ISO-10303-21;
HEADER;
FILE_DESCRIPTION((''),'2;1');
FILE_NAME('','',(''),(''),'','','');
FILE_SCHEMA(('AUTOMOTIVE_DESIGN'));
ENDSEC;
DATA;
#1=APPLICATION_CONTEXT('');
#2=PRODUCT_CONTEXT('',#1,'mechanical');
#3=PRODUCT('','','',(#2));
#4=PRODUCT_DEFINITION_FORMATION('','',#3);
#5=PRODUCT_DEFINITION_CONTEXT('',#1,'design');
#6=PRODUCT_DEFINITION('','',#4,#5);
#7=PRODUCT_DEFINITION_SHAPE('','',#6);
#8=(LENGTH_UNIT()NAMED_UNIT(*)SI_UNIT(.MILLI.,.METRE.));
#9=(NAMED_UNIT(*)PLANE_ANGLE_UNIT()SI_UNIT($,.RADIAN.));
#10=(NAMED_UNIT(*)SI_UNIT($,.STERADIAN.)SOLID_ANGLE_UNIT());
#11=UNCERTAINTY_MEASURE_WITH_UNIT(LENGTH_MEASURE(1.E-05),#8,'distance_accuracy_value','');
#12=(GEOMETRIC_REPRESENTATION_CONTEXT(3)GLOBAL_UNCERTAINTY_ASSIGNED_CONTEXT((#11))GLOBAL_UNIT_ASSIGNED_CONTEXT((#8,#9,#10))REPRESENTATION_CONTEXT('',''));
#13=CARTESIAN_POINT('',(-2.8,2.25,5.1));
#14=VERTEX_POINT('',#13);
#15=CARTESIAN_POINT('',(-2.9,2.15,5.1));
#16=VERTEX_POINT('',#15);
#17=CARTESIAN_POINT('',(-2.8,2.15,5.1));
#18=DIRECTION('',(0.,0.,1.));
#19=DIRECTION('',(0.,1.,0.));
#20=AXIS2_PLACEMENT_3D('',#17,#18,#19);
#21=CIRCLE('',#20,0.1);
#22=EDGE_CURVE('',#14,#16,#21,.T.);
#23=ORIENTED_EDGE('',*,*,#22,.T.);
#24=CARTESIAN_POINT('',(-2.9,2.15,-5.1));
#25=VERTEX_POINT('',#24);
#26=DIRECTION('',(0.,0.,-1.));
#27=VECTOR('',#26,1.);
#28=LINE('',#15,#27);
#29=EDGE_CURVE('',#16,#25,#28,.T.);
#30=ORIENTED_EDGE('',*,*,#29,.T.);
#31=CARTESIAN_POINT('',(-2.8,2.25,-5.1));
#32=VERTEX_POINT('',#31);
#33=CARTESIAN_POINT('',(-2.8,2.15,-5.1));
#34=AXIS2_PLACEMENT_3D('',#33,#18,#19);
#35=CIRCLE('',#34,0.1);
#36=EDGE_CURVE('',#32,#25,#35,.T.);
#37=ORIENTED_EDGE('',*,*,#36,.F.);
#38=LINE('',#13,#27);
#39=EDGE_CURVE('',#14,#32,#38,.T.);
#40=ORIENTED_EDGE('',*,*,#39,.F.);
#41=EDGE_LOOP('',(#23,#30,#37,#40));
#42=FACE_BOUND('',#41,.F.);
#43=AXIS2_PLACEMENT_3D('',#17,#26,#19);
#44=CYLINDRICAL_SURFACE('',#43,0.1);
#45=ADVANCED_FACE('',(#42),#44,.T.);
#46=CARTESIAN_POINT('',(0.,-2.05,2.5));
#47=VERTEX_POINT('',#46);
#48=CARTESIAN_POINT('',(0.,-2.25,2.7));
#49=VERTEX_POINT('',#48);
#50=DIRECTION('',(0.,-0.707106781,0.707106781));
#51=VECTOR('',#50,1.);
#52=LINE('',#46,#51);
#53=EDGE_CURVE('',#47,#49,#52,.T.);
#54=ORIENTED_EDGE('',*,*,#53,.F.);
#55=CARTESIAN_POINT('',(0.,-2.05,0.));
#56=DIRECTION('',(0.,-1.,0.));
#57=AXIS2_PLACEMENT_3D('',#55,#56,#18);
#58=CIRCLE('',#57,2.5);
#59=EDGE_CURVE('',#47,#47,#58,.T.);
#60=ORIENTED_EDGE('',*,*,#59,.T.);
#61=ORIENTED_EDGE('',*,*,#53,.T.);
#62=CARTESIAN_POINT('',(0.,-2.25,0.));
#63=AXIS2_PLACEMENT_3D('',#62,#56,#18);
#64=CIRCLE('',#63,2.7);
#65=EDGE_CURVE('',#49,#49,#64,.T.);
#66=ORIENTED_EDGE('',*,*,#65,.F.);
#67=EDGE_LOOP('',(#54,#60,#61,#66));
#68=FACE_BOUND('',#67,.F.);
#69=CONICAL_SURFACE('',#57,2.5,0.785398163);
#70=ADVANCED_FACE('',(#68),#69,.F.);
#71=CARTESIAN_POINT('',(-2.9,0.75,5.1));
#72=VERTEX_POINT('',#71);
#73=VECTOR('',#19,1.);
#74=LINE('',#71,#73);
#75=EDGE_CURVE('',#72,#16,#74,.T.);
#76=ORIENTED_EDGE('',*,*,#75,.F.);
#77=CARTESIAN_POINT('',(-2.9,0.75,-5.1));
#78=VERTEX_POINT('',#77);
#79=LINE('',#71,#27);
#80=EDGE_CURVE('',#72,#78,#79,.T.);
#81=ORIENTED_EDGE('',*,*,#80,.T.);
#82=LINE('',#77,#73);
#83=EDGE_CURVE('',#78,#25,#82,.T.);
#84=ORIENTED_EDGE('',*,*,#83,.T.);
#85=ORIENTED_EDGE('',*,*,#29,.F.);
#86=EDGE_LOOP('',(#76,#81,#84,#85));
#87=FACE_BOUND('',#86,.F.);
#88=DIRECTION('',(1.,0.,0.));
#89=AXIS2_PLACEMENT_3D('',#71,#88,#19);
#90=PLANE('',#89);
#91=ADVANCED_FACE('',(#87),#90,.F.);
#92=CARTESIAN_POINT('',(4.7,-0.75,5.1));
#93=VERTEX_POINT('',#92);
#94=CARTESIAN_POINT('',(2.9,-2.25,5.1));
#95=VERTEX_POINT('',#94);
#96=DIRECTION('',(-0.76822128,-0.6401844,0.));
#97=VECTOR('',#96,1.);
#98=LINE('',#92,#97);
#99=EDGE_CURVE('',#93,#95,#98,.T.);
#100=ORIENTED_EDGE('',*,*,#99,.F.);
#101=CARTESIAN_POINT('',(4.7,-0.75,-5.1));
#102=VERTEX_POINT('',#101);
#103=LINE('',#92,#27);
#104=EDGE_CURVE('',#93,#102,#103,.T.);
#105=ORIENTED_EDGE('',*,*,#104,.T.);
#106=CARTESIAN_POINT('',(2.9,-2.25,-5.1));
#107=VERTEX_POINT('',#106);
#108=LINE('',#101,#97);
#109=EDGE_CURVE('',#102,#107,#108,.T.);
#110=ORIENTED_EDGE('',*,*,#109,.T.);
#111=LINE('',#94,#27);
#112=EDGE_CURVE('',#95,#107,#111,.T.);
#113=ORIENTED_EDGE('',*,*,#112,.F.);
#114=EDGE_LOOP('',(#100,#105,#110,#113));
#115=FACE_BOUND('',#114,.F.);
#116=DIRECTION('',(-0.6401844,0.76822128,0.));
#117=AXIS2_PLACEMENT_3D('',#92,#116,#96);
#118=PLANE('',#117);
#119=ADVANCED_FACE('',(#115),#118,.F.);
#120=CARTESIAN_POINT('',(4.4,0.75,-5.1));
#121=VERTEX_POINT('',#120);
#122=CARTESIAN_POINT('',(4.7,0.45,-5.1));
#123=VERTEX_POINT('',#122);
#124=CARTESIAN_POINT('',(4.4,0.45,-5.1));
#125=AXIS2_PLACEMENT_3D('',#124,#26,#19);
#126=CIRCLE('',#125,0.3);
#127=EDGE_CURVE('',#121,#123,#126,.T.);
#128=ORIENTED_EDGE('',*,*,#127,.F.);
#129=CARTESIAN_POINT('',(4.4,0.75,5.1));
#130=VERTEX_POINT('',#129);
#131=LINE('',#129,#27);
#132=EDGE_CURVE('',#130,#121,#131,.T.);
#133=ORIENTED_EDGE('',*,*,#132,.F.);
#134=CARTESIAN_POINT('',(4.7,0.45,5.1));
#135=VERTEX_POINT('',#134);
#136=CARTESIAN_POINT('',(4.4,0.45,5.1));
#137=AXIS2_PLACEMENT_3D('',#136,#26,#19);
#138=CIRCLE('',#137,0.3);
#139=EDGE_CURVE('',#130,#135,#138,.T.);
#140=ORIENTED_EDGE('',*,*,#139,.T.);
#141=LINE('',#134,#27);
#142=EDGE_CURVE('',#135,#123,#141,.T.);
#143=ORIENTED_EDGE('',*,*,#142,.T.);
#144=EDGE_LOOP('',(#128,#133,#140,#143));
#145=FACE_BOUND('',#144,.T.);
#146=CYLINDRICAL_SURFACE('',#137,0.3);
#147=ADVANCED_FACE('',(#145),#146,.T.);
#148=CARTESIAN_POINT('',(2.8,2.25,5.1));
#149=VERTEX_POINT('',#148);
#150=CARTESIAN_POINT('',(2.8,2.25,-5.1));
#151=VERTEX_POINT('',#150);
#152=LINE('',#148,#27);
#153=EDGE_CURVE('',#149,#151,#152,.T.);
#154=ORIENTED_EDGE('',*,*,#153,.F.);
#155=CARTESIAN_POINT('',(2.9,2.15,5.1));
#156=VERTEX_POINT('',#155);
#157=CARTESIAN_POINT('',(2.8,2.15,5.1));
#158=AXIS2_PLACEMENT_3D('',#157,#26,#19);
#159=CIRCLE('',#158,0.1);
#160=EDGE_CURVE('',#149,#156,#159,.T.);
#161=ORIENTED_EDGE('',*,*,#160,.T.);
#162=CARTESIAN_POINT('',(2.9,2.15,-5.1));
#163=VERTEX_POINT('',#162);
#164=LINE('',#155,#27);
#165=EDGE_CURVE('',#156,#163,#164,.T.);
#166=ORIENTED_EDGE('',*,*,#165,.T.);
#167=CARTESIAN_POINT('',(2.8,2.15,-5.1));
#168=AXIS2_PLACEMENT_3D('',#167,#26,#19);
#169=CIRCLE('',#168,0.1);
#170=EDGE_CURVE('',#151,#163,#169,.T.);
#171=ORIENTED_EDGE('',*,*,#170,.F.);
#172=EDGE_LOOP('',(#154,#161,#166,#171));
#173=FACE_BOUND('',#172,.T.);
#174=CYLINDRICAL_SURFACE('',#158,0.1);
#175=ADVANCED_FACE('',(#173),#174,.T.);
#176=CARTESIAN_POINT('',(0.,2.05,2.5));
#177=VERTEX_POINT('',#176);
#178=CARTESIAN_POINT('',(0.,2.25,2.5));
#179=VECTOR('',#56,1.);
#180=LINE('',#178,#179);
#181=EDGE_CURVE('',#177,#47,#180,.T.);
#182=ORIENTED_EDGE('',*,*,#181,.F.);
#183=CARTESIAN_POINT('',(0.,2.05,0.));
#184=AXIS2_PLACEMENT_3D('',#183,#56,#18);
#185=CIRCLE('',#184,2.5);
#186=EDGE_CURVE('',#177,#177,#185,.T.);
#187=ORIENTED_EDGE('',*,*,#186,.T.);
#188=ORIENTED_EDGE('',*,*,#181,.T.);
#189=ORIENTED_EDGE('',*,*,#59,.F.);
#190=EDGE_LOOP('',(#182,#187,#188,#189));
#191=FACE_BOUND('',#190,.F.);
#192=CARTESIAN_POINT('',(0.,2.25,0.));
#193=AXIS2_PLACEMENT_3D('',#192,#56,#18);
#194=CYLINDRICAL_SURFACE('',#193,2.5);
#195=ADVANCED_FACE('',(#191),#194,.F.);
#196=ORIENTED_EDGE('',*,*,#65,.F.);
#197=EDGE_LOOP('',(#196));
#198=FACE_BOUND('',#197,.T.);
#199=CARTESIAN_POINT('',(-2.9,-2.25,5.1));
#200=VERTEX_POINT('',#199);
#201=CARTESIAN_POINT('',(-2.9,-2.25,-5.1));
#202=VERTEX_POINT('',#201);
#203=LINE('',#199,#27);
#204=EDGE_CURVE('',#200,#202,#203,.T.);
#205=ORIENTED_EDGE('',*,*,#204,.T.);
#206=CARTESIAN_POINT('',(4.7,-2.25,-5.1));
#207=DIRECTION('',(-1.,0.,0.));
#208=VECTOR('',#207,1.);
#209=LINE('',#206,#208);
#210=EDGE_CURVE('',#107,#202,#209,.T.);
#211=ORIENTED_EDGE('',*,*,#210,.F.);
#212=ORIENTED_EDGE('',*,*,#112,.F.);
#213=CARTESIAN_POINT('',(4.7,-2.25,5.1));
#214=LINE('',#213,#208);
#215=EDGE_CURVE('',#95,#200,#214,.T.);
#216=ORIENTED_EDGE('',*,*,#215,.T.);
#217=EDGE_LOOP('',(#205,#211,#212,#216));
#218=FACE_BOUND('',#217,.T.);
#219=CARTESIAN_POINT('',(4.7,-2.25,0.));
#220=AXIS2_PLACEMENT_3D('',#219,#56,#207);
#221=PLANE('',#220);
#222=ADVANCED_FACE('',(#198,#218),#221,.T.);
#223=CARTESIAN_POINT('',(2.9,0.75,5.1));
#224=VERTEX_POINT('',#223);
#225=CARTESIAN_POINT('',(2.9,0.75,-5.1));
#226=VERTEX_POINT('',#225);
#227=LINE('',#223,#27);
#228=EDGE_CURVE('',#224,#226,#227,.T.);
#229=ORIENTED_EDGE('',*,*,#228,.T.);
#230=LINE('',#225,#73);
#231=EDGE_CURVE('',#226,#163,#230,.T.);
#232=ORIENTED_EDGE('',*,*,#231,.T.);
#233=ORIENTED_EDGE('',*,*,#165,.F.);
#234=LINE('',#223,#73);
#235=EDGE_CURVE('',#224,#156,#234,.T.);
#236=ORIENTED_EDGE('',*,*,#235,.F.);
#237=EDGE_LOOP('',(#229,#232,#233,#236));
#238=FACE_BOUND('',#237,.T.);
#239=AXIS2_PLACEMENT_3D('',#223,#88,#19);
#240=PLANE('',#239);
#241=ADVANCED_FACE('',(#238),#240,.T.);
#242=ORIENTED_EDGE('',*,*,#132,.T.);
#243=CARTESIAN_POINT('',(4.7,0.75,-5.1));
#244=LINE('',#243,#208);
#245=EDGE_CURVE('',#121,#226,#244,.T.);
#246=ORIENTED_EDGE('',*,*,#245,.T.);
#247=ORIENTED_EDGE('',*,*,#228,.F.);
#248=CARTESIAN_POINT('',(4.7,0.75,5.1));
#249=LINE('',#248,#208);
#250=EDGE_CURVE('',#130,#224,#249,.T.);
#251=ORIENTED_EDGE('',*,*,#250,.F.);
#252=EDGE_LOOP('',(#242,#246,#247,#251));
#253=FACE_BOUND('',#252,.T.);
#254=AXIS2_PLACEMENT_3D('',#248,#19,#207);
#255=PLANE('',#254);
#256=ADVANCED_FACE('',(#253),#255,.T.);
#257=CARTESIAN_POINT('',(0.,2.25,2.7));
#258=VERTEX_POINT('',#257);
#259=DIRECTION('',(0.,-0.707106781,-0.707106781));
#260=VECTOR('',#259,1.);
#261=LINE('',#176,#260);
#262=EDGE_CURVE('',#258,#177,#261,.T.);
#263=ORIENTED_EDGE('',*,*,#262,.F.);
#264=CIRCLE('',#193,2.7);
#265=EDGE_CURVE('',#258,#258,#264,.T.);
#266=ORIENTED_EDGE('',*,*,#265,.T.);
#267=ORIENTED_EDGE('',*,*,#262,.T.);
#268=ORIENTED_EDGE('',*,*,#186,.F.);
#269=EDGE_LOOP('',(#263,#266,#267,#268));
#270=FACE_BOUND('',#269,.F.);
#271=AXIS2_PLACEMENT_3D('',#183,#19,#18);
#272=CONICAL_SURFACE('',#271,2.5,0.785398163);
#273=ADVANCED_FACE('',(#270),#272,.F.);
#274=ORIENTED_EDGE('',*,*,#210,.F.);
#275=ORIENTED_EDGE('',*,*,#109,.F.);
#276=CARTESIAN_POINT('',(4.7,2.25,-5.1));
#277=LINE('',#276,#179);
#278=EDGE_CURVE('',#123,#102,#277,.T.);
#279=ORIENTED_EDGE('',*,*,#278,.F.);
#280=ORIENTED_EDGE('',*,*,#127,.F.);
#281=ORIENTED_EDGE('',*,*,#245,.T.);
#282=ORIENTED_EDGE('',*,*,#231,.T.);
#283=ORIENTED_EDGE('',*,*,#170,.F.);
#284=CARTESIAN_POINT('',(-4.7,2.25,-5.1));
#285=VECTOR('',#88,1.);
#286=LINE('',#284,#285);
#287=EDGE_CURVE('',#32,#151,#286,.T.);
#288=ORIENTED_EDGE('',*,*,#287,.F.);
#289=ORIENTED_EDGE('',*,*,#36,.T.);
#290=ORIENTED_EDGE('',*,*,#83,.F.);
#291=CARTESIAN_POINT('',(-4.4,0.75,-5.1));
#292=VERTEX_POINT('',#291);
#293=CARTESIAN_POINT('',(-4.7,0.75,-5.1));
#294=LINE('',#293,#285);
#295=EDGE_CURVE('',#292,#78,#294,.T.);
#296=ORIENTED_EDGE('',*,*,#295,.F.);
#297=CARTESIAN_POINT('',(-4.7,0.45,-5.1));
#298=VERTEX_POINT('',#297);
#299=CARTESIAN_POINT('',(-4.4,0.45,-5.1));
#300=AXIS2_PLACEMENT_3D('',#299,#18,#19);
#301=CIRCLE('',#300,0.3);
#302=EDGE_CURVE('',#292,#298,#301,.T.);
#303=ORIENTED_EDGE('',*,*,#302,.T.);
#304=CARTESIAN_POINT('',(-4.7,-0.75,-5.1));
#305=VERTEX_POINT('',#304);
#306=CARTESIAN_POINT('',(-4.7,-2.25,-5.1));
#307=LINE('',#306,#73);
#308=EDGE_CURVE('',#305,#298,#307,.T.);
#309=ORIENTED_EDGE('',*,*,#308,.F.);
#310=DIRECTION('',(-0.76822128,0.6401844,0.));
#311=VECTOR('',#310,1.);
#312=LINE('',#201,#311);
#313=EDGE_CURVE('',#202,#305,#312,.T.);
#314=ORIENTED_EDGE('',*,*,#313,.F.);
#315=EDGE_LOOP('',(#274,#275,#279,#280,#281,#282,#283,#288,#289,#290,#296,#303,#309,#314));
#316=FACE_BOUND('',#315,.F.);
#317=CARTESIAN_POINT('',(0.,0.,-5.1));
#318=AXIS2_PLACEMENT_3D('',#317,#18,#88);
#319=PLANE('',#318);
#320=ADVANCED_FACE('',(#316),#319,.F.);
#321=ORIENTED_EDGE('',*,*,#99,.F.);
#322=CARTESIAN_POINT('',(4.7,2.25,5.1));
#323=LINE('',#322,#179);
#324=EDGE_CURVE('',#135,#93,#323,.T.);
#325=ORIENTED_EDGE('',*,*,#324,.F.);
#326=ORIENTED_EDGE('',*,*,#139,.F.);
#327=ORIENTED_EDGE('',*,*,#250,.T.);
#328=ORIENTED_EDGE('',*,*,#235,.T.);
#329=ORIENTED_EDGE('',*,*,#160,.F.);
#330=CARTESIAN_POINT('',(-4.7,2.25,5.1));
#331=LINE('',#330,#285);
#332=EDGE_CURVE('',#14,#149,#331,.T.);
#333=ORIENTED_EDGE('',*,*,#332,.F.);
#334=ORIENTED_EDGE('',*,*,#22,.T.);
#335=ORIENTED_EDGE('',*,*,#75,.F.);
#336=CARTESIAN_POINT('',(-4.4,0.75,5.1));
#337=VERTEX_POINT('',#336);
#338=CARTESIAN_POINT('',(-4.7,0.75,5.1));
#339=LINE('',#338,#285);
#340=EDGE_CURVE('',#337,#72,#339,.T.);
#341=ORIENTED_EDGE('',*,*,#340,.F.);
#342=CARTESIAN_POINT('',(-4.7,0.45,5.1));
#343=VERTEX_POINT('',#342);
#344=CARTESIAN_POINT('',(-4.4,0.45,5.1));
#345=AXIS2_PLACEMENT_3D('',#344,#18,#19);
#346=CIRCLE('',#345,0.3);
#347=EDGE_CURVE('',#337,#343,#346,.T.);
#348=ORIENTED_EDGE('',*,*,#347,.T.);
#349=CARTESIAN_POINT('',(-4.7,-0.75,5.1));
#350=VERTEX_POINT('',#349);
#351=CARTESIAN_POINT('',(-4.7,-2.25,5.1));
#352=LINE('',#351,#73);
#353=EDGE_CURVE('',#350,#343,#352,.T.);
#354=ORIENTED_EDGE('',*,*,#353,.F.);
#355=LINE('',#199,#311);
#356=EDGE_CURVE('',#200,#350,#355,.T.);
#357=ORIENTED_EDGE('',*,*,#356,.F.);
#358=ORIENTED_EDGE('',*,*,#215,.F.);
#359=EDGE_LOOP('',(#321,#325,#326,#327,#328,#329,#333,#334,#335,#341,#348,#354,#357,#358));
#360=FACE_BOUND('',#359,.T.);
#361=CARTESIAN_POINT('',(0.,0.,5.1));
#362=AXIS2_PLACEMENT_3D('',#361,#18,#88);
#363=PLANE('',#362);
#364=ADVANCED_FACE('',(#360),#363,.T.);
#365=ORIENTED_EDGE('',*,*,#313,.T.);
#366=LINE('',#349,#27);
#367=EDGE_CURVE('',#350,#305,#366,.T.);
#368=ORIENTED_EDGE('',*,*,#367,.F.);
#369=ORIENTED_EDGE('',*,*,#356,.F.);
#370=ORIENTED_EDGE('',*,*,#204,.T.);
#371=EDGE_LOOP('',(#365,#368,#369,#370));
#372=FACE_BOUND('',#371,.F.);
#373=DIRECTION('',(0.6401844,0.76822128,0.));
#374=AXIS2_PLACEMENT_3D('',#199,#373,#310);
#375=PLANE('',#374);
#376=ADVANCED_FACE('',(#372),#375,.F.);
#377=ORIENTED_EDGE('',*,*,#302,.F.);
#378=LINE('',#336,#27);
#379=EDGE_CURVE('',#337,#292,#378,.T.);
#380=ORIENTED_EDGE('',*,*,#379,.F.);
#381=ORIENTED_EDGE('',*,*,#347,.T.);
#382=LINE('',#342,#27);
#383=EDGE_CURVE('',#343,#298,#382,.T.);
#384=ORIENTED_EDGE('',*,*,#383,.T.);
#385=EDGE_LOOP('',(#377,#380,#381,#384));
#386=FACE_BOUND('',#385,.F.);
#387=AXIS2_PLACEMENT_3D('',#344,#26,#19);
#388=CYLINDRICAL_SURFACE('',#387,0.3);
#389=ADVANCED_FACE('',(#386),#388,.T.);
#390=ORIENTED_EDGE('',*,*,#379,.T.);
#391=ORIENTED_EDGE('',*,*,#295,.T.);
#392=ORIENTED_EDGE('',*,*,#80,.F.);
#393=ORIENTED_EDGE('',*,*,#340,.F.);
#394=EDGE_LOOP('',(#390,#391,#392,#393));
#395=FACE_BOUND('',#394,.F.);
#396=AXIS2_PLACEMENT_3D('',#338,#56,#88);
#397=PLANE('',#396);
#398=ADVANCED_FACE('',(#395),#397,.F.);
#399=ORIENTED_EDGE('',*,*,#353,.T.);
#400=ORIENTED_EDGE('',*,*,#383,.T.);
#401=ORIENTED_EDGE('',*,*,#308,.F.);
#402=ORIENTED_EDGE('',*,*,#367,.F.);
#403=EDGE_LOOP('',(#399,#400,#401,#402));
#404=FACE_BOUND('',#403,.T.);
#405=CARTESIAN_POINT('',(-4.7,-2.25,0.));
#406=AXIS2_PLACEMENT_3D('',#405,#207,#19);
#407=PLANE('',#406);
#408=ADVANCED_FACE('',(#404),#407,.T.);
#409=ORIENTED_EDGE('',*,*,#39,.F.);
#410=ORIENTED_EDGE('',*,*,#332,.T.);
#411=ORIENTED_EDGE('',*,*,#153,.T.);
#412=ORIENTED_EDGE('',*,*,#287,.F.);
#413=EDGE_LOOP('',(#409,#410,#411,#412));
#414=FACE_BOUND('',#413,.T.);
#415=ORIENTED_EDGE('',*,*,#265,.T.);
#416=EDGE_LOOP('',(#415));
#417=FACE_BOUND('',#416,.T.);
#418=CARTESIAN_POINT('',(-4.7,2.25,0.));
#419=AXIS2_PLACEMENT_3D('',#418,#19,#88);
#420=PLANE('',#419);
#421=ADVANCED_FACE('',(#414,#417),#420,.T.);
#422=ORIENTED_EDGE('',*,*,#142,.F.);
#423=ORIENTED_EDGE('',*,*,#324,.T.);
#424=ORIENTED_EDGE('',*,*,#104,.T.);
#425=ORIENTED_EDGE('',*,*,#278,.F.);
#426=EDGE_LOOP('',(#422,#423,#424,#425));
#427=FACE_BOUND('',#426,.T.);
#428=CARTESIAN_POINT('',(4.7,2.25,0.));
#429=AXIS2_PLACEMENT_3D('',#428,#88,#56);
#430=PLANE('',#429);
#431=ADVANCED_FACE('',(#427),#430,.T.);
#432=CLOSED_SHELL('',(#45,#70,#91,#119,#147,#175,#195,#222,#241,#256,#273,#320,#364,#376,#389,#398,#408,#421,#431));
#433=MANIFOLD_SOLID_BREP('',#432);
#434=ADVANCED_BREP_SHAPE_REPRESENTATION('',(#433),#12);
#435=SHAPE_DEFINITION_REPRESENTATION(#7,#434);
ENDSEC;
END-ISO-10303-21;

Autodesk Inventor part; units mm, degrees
ref_plane "YZ Plane" through (0, 0, 0) normal (1, 0, 0) x (0, 1, 0)
ref_plane "XZ Plane" through (0, 0, 0) normal (0, 1, 0) x (-1, 0, 0)
ref_plane "XY Plane" through (0, 0, 0) normal (0, 0, 1) x (1, 0, 0)
sketch "Эскиз1" plane through (0, 0, 0) normal (0, 0, 1) x (1, 0, 0)
  line L0 (-4.7, 2.25) -> (4.7, 2.25)
  line L1 (4.7, 2.25) -> (4.7, -2.25)
  line L2 (4.7, -2.25) -> (-4.7, -2.25)
  line L3 (-4.7, -2.25) -> (-4.7, 2.25)
  point P0 (0, 0)
  point P1 (-4.7, 0)
  point P2 (0, 2.25)
  dimension "d0" = 9.4
  dimension "d1" = 4.5
extrude "Выдавливание1" add sketch "Эскиз1" along normal mid plane 10.2
sketch "Эскиз3" plane through (0, 0, 5.1) normal (0, 0, 1) x (1, 0, 0)
  line L0 (-4.7, 2.25) -> (-4.7, -2.25) projected
  line L1 (-4.7, 0.75) -> (-2.9, 0.75)
  line L2 (-2.9, 0.75) -> (-2.9, 2.25)
  line L3 (4.7, 2.25) -> (-4.7, 2.25) projected
  line L4 (4.7, -2.25) -> (4.7, 2.25) projected
  line L5 (4.7, 0.75) -> (2.9, 0.75)
  line L6 (2.9, 0.75) -> (2.9, 2.25)
  point P0 (0, 0)
  dimension "d7" = 1.5
  dimension "d8" = 2.9
  dimension "d9" = 5.8
extrude "Выдавливание2" cut sketch "Эскиз3" against normal blind 10.2
sketch "Эскиз5" plane through (0, 0, 5.1) normal (0, 0, 1) x (1, 0, 0)
  line L0 (-4.7, -2.25) -> (4.7, -2.25) projected
  line L1 (-2.9, -2.25) -> (-4.7, -0.75)
  line L2 (-4.7, 0.75) -> (-4.7, -2.25) projected
  line L3 (4.7, -2.25) -> (4.7, 0.75) projected
  line L4 (4.7, -0.75) -> (2.9, -2.25)
  point P0 (0, 0)
  dimension "d15" = 1.5
  dimension "d16" = 2.9
  dimension "d17" = 5.8
extrude "Выдавливание3" cut sketch "Эскиз5" against normal blind 10.2
sketch "Эскиз6" plane through (-2.9, 2.25, -5.1) normal (0, 1, 0) x (1, 0, 0)
  point P0 (2.9, -5.1)
  point P1 (2.9, -5.1)
hole "Отверстие1" at (0, 2.25, 0) direction (0, -1, 0) diameter 5 end through all
thread "Резьба1" size "M5x0.5" class "6H" standard "ANSI Metric M Profile" full length
chamfer "Фаска1" distance 0.2 angle 45 2 edges at (0, 2.25, -2.5) (0, -2.25, -2.5)
fillet "Сопряжение2" radius 0.1 2 edges at (2.9, 2.25, 0) (-2.9, 2.25, 0)
fillet "Сопряжение3" radius 0.3 2 edges at (-4.7, 0.75, 0) (4.7, 0.75, 0)
properties part number "COTS_GENERIC_20x20_M5_Nut" material "Сталь"
